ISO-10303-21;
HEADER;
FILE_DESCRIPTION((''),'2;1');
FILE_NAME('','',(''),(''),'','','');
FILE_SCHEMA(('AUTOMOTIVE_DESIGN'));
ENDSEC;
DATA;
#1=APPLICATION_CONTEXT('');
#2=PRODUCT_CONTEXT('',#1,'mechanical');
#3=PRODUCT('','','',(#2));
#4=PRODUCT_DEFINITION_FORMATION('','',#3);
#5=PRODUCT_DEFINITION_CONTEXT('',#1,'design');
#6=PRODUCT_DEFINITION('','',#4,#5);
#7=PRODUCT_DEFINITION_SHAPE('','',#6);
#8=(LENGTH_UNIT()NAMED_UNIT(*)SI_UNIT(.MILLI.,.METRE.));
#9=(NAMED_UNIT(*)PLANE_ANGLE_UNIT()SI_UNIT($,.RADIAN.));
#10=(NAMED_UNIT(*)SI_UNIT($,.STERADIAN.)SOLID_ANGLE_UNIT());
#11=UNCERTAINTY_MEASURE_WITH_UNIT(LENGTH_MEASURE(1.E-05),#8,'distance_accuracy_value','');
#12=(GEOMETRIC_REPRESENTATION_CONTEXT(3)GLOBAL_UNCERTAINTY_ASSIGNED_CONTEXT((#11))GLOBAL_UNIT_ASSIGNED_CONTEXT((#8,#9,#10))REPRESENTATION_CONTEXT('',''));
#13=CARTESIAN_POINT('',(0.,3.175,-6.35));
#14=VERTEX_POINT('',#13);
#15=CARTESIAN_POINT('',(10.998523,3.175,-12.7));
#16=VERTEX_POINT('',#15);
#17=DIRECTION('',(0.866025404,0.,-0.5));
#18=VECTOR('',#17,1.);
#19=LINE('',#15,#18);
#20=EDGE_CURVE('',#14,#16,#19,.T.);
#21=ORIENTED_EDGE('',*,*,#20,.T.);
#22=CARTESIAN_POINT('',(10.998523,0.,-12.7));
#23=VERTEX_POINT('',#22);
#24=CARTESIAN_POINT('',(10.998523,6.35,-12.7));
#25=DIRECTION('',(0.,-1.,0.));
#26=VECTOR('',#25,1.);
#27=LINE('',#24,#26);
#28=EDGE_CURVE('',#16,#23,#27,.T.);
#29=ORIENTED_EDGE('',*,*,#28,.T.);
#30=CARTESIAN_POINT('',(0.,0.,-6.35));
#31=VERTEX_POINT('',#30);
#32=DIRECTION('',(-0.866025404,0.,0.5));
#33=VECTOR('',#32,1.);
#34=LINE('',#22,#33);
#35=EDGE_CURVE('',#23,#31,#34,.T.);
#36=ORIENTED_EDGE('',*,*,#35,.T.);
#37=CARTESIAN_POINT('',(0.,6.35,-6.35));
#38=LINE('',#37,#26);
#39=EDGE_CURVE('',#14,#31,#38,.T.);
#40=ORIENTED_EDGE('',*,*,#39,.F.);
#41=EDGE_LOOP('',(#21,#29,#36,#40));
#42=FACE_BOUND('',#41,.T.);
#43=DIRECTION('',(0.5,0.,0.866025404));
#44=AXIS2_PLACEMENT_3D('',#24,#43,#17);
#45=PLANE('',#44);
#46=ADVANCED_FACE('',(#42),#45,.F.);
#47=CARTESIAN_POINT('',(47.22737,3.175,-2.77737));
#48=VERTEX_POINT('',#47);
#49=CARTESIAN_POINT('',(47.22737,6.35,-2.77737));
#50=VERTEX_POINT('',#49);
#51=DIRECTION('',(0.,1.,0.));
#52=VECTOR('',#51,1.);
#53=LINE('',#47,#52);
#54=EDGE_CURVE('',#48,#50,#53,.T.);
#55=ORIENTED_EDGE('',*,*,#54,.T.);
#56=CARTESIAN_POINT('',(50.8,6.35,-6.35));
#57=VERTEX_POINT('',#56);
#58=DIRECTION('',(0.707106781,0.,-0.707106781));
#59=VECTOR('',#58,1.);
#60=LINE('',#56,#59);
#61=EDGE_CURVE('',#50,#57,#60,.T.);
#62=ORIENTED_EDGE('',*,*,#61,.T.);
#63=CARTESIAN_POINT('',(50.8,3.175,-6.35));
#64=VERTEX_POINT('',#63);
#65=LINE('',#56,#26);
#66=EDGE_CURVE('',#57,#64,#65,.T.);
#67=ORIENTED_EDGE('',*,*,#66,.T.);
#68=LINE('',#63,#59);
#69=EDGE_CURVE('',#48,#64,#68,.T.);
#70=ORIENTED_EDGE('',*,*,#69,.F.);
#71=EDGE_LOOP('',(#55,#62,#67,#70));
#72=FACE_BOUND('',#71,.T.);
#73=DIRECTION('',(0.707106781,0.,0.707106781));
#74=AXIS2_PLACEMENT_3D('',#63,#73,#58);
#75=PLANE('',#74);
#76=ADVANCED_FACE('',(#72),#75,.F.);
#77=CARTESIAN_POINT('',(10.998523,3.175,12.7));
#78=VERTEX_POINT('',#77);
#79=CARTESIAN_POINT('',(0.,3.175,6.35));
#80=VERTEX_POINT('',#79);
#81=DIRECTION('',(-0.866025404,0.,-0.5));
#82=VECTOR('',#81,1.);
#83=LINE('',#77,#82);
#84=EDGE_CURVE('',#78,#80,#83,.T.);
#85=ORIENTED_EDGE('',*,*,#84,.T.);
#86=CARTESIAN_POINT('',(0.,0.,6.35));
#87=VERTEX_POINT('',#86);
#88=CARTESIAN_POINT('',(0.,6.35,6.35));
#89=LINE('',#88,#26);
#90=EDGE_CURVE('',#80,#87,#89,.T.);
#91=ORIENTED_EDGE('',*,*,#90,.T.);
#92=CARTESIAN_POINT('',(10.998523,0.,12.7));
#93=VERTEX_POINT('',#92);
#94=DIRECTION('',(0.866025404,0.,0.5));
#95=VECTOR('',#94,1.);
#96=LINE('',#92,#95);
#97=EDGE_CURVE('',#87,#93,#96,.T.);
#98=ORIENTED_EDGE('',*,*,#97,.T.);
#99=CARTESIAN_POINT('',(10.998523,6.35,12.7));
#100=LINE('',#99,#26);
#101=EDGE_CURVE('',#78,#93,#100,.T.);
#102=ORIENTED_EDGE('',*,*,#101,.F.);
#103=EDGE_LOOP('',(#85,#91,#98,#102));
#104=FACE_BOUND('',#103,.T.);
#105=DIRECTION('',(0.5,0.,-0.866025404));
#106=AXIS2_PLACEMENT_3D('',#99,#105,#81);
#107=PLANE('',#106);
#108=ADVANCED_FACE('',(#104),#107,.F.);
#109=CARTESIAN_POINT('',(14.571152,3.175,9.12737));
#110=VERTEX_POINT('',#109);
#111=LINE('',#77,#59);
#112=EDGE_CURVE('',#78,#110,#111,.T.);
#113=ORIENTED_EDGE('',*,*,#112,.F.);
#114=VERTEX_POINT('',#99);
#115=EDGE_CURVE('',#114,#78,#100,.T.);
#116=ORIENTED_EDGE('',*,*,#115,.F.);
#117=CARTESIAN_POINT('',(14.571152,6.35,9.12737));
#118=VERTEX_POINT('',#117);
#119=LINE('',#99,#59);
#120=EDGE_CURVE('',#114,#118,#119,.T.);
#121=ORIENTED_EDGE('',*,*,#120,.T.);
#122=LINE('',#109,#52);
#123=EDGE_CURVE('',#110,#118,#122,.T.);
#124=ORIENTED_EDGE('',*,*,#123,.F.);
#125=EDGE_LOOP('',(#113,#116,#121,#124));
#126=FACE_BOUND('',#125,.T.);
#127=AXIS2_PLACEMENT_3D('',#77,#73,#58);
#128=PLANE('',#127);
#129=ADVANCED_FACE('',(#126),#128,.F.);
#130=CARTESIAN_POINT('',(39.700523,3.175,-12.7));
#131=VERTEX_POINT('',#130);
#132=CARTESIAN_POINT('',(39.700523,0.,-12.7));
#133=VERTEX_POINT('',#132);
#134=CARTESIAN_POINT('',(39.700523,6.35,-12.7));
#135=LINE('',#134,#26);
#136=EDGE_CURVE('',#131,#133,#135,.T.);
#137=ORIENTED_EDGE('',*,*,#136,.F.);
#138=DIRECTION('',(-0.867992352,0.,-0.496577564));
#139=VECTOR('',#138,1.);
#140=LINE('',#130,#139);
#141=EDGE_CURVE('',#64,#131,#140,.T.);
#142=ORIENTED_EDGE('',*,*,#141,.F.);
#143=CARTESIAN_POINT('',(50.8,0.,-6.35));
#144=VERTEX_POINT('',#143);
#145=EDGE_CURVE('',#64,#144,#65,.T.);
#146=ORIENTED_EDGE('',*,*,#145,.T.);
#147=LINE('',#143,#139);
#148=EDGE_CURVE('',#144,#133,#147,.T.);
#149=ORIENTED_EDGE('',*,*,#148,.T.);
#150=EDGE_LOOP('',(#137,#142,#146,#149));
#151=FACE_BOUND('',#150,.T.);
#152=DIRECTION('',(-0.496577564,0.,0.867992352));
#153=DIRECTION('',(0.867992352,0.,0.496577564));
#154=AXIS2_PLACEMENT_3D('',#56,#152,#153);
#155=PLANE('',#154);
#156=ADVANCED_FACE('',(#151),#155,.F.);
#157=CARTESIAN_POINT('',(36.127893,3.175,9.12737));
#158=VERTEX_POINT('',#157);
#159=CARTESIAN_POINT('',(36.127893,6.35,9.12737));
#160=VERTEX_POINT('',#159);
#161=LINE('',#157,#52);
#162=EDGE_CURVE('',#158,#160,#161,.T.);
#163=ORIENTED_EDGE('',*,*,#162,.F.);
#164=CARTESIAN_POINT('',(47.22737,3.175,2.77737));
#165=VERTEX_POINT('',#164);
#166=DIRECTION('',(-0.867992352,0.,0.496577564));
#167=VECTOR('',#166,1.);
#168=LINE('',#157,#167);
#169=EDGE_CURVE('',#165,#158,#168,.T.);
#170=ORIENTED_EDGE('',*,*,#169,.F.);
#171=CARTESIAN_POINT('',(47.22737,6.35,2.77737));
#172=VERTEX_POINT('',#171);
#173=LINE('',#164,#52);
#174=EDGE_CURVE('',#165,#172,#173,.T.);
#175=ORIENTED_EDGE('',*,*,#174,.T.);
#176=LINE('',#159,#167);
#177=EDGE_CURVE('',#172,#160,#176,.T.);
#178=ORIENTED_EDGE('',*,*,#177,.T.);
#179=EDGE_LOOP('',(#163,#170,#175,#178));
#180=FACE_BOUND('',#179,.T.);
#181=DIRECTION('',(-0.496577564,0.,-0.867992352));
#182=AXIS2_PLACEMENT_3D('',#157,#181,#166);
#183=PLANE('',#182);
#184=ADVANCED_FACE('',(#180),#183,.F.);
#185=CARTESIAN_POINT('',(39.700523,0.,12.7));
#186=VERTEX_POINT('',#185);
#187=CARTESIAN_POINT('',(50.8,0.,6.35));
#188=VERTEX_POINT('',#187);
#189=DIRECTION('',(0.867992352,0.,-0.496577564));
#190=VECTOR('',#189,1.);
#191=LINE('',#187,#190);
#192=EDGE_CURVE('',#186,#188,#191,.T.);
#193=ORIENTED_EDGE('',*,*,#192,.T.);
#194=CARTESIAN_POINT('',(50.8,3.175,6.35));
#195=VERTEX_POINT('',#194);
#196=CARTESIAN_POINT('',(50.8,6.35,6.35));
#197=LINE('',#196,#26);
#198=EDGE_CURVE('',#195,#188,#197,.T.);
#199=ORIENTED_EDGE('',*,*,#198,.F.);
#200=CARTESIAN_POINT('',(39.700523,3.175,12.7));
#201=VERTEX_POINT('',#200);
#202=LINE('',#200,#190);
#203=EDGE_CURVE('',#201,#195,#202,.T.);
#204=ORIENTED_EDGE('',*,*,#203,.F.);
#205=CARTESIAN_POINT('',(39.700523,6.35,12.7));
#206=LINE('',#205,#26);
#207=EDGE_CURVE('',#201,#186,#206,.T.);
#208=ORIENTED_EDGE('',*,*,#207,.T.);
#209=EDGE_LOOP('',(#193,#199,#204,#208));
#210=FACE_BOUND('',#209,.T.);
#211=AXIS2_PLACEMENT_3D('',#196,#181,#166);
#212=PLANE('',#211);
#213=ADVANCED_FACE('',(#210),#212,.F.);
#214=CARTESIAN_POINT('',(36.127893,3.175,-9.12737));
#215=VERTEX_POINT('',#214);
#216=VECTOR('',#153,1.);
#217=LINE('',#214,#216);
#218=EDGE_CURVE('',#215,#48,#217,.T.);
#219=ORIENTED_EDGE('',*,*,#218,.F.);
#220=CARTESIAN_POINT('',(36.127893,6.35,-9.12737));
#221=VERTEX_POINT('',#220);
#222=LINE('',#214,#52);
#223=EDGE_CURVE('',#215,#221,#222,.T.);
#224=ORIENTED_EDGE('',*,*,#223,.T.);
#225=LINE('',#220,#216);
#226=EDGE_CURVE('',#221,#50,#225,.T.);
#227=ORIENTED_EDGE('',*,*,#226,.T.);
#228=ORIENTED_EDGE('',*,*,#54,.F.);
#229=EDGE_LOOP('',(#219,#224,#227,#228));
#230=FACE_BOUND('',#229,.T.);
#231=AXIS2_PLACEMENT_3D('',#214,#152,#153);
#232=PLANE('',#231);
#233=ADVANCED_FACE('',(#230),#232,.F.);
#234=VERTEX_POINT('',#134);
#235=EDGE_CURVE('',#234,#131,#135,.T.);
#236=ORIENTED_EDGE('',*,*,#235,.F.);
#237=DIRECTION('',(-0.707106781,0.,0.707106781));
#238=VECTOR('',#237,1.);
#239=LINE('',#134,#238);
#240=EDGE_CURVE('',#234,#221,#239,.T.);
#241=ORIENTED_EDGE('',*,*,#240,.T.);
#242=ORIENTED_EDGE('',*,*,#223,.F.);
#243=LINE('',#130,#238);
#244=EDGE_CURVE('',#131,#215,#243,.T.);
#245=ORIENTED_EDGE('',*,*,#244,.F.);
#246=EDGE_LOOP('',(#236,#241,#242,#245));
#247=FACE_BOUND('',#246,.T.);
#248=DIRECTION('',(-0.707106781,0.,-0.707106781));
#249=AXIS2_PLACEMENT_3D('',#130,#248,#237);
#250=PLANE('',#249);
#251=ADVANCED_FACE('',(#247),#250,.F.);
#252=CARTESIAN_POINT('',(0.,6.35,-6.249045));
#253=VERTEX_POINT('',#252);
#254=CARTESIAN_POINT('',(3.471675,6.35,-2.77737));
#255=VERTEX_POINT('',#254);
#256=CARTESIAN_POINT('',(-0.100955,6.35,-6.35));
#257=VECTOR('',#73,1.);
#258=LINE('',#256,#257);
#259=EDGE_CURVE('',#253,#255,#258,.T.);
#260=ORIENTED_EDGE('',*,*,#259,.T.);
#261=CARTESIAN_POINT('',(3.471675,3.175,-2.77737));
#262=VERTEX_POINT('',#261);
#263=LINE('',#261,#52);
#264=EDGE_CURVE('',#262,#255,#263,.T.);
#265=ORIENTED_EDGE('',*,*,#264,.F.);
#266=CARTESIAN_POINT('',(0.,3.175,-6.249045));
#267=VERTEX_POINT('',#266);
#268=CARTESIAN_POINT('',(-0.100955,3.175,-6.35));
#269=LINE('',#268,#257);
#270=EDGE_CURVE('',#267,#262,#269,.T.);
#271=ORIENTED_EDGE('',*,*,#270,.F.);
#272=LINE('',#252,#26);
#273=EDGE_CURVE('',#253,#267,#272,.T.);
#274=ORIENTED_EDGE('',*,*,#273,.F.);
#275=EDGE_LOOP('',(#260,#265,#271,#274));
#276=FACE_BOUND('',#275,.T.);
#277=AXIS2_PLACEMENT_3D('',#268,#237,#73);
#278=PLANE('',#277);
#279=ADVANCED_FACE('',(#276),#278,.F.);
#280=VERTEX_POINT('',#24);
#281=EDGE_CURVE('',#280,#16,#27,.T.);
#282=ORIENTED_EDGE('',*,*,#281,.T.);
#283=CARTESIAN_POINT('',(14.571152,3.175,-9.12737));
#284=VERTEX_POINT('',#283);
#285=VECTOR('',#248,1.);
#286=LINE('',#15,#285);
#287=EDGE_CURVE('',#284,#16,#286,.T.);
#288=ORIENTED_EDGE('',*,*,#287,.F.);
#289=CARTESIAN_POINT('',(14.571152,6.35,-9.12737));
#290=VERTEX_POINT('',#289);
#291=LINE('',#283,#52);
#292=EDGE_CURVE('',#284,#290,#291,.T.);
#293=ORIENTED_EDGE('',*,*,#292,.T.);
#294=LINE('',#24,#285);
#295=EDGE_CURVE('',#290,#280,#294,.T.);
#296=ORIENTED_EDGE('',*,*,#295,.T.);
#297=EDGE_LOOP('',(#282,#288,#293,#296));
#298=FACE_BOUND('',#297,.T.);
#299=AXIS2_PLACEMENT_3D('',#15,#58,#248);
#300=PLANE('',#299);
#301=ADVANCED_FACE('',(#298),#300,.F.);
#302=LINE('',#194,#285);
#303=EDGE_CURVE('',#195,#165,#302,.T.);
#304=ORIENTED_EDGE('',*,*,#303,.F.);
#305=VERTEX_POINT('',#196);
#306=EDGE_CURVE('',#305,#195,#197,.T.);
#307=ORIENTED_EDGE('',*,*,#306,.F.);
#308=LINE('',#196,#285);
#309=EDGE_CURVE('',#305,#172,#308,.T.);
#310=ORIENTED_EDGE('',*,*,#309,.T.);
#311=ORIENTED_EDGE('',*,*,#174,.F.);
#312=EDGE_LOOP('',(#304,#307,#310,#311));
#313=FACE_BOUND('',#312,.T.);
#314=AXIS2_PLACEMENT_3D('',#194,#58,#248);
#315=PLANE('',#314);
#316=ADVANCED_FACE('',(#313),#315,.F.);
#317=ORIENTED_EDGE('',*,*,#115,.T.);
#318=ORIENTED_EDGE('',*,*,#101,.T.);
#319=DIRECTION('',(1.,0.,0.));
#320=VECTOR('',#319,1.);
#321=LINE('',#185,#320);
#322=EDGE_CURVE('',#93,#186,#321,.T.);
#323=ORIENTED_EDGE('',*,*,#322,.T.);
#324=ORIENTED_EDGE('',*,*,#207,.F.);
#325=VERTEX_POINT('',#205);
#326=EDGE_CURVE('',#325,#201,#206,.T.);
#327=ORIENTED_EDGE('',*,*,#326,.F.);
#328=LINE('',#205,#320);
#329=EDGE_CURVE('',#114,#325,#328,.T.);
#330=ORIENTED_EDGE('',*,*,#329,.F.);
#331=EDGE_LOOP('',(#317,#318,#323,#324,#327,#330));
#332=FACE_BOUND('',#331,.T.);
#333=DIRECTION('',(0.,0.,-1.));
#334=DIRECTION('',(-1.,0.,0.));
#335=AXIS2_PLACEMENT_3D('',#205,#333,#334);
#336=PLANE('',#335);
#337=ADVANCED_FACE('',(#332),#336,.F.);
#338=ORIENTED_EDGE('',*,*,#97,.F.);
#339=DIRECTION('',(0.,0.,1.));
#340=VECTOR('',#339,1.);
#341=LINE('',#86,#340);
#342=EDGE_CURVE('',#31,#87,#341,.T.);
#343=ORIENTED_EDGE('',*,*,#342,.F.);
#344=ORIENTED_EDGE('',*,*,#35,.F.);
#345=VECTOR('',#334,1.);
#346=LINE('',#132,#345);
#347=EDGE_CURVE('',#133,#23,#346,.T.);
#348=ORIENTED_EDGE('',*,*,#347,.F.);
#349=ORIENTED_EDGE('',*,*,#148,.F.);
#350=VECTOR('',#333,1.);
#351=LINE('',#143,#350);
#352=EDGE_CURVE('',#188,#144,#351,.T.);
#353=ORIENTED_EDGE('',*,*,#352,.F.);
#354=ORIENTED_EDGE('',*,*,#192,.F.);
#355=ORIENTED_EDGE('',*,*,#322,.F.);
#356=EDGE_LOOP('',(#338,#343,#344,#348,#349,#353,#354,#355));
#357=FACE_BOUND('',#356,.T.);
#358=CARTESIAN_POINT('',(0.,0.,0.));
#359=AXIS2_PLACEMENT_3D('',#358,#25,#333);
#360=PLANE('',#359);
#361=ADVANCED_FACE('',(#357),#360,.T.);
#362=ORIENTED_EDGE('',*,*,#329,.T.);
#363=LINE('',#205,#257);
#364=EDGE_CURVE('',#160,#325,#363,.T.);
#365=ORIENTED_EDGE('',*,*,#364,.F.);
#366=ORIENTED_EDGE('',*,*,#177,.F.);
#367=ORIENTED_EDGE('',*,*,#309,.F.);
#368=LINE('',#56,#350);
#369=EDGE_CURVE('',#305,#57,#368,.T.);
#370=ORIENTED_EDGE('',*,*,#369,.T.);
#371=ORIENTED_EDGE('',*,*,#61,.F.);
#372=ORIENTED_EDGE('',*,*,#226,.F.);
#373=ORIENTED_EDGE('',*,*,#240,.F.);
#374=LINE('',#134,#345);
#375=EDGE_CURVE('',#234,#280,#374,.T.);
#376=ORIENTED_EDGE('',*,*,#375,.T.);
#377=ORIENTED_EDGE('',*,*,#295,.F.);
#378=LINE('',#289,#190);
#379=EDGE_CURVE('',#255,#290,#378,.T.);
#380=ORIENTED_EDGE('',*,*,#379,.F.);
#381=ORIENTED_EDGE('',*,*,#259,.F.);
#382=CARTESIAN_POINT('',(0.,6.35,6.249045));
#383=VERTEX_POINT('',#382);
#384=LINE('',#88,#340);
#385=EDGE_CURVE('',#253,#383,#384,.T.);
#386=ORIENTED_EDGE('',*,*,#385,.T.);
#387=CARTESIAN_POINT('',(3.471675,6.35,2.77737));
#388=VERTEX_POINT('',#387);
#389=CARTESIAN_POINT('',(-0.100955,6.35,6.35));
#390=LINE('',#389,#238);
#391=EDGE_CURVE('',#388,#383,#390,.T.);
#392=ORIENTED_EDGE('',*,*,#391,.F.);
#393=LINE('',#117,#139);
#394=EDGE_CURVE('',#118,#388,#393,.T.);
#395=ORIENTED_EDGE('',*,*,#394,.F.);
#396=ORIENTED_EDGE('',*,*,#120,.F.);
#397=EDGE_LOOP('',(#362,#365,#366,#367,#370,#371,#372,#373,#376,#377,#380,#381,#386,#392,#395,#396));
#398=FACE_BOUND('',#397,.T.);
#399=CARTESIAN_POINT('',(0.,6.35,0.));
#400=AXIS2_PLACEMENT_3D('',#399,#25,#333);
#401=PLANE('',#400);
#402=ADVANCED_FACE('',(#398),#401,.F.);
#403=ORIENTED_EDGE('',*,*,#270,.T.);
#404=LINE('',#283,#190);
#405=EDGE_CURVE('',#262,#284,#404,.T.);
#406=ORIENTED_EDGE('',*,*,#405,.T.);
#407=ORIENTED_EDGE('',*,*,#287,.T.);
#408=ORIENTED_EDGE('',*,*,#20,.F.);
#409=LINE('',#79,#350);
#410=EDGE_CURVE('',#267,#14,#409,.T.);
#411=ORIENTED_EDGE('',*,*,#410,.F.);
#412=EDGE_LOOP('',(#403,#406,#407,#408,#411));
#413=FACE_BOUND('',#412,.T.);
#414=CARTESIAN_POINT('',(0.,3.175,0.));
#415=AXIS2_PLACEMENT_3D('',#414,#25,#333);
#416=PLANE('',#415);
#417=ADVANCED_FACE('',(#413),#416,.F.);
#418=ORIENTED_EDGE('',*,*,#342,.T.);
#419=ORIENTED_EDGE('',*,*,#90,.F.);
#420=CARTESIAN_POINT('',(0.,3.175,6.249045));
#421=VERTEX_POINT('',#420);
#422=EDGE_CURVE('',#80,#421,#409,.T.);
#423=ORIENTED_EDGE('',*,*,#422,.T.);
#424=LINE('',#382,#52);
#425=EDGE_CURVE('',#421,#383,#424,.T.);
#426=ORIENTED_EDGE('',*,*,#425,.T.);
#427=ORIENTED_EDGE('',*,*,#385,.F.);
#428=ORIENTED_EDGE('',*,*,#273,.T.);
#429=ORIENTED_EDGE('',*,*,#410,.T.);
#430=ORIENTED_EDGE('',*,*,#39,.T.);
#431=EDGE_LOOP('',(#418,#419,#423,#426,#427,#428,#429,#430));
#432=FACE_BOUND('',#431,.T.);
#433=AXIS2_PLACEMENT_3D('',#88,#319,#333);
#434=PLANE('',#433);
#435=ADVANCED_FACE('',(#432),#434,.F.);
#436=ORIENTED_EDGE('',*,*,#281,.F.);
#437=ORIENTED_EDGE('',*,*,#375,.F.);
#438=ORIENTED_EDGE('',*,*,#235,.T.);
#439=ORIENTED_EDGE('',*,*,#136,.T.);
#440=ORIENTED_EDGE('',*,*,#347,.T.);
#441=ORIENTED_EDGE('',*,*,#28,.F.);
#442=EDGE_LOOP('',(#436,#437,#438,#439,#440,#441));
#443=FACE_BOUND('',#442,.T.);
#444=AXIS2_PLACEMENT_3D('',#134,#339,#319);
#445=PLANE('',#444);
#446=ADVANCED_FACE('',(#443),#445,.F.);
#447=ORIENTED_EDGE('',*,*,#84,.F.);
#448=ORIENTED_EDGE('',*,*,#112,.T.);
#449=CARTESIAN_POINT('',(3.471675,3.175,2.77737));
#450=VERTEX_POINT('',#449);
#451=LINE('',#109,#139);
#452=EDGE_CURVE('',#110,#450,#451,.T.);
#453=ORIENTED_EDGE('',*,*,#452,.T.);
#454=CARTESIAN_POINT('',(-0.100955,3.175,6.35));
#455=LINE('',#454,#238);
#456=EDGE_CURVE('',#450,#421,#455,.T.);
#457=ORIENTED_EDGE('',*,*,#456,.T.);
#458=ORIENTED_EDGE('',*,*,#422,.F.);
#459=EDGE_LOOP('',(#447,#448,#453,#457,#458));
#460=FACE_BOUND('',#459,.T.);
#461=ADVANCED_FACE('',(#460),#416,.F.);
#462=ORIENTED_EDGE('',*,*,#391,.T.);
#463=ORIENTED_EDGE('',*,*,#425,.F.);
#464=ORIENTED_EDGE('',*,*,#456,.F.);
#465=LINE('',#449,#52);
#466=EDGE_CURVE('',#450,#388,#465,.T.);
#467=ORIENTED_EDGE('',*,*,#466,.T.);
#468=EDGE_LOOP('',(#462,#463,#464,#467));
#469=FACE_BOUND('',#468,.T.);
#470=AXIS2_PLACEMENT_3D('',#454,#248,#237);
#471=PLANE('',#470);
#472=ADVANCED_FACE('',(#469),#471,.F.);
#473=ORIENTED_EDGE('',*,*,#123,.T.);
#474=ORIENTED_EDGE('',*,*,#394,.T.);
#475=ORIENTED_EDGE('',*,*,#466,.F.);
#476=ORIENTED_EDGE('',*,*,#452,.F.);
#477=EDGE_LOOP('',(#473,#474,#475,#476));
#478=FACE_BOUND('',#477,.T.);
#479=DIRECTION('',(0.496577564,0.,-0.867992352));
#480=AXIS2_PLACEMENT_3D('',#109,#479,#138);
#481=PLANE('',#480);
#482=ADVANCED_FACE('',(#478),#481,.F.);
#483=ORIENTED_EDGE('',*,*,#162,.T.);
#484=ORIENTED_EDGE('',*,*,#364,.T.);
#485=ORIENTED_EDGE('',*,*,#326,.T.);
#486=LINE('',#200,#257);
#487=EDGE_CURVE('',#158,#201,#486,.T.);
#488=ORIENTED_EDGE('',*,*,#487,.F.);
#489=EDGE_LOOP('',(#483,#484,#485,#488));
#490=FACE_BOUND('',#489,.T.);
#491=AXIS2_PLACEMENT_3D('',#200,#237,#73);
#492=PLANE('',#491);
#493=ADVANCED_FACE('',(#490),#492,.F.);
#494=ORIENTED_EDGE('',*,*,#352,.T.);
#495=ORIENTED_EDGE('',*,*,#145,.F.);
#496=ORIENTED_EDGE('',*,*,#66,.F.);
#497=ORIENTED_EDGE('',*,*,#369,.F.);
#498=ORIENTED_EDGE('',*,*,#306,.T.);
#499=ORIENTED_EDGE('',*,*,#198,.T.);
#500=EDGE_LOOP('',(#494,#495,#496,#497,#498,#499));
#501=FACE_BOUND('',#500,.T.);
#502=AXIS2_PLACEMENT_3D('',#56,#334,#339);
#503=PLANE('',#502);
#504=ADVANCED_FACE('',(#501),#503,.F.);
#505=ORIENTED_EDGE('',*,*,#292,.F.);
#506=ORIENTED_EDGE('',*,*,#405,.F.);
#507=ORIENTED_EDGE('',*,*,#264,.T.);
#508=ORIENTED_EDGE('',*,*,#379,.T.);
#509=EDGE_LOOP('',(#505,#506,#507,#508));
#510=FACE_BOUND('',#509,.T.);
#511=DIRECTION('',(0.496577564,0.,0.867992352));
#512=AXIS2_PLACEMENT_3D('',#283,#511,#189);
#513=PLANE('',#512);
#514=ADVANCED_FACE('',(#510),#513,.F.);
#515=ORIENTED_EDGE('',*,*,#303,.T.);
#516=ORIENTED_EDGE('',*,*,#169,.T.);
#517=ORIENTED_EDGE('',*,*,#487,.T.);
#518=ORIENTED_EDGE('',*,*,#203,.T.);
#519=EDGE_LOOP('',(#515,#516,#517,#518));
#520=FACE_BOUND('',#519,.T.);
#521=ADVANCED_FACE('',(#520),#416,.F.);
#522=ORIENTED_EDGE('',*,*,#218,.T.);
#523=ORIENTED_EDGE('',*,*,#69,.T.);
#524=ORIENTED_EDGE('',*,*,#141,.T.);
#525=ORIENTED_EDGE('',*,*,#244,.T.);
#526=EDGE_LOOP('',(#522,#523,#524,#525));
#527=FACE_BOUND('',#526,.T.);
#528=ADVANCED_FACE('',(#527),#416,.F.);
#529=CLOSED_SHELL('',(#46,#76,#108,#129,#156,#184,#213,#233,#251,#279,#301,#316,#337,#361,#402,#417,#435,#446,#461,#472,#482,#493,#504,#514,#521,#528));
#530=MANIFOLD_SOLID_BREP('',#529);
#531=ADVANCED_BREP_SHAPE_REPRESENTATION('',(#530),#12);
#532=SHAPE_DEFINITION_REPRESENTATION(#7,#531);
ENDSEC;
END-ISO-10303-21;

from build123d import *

# Parameters (mm, degrees)
BOSS_EXTRUDE1_DEPTH = 6.35
CUT_EXTRUDE1_DEPTH  = 3.175


with BuildPart() as part:
    # Sketch2 → Boss-Extrude1 (new body)
    with BuildSketch(Plane(origin=(0, 0, 0), x_dir=(1, 0, 0), z_dir=(0, 1, 0))):
        Polygon((50.8, 6.35), (50.8, -6.35), (39.700522628, -12.7), (10.998522628, -12.7), (0, -6.35), (0, 6.35), (10.998522628, 12.7), (39.700522628, 12.7), align=None)
    extrude(amount=BOSS_EXTRUDE1_DEPTH)

    # Sketch3 → Cut-Extrude1 (cut)
    with BuildSketch(Plane(origin=(0, 6.35, 0), x_dir=(1, 0, 0), z_dir=(0, 1, 0))):
        Polygon((39.700522628, -12.7), (50.8, -6.35), (47.227370356, -2.777370356), (36.127892984, -9.127370356), align=None)
        Polygon((-0.100954744, -6.35), (3.4716749, -2.777370356), (14.571152272, -9.127370356), (10.998522628, -12.7), align=None)
        Polygon((50.8, 6.35), (47.227370356, 2.777370356), (36.127892984, 9.127370356), (39.700522628, 12.7), align=None)
        Polygon((10.998522628, 12.7), (-0.100954744, 6.35), (3.4716749, 2.777370356), (14.571152272, 9.127370356), align=None)
    extrude(amount=-CUT_EXTRUDE1_DEPTH, mode=Mode.SUBTRACT)


solid = part.part
